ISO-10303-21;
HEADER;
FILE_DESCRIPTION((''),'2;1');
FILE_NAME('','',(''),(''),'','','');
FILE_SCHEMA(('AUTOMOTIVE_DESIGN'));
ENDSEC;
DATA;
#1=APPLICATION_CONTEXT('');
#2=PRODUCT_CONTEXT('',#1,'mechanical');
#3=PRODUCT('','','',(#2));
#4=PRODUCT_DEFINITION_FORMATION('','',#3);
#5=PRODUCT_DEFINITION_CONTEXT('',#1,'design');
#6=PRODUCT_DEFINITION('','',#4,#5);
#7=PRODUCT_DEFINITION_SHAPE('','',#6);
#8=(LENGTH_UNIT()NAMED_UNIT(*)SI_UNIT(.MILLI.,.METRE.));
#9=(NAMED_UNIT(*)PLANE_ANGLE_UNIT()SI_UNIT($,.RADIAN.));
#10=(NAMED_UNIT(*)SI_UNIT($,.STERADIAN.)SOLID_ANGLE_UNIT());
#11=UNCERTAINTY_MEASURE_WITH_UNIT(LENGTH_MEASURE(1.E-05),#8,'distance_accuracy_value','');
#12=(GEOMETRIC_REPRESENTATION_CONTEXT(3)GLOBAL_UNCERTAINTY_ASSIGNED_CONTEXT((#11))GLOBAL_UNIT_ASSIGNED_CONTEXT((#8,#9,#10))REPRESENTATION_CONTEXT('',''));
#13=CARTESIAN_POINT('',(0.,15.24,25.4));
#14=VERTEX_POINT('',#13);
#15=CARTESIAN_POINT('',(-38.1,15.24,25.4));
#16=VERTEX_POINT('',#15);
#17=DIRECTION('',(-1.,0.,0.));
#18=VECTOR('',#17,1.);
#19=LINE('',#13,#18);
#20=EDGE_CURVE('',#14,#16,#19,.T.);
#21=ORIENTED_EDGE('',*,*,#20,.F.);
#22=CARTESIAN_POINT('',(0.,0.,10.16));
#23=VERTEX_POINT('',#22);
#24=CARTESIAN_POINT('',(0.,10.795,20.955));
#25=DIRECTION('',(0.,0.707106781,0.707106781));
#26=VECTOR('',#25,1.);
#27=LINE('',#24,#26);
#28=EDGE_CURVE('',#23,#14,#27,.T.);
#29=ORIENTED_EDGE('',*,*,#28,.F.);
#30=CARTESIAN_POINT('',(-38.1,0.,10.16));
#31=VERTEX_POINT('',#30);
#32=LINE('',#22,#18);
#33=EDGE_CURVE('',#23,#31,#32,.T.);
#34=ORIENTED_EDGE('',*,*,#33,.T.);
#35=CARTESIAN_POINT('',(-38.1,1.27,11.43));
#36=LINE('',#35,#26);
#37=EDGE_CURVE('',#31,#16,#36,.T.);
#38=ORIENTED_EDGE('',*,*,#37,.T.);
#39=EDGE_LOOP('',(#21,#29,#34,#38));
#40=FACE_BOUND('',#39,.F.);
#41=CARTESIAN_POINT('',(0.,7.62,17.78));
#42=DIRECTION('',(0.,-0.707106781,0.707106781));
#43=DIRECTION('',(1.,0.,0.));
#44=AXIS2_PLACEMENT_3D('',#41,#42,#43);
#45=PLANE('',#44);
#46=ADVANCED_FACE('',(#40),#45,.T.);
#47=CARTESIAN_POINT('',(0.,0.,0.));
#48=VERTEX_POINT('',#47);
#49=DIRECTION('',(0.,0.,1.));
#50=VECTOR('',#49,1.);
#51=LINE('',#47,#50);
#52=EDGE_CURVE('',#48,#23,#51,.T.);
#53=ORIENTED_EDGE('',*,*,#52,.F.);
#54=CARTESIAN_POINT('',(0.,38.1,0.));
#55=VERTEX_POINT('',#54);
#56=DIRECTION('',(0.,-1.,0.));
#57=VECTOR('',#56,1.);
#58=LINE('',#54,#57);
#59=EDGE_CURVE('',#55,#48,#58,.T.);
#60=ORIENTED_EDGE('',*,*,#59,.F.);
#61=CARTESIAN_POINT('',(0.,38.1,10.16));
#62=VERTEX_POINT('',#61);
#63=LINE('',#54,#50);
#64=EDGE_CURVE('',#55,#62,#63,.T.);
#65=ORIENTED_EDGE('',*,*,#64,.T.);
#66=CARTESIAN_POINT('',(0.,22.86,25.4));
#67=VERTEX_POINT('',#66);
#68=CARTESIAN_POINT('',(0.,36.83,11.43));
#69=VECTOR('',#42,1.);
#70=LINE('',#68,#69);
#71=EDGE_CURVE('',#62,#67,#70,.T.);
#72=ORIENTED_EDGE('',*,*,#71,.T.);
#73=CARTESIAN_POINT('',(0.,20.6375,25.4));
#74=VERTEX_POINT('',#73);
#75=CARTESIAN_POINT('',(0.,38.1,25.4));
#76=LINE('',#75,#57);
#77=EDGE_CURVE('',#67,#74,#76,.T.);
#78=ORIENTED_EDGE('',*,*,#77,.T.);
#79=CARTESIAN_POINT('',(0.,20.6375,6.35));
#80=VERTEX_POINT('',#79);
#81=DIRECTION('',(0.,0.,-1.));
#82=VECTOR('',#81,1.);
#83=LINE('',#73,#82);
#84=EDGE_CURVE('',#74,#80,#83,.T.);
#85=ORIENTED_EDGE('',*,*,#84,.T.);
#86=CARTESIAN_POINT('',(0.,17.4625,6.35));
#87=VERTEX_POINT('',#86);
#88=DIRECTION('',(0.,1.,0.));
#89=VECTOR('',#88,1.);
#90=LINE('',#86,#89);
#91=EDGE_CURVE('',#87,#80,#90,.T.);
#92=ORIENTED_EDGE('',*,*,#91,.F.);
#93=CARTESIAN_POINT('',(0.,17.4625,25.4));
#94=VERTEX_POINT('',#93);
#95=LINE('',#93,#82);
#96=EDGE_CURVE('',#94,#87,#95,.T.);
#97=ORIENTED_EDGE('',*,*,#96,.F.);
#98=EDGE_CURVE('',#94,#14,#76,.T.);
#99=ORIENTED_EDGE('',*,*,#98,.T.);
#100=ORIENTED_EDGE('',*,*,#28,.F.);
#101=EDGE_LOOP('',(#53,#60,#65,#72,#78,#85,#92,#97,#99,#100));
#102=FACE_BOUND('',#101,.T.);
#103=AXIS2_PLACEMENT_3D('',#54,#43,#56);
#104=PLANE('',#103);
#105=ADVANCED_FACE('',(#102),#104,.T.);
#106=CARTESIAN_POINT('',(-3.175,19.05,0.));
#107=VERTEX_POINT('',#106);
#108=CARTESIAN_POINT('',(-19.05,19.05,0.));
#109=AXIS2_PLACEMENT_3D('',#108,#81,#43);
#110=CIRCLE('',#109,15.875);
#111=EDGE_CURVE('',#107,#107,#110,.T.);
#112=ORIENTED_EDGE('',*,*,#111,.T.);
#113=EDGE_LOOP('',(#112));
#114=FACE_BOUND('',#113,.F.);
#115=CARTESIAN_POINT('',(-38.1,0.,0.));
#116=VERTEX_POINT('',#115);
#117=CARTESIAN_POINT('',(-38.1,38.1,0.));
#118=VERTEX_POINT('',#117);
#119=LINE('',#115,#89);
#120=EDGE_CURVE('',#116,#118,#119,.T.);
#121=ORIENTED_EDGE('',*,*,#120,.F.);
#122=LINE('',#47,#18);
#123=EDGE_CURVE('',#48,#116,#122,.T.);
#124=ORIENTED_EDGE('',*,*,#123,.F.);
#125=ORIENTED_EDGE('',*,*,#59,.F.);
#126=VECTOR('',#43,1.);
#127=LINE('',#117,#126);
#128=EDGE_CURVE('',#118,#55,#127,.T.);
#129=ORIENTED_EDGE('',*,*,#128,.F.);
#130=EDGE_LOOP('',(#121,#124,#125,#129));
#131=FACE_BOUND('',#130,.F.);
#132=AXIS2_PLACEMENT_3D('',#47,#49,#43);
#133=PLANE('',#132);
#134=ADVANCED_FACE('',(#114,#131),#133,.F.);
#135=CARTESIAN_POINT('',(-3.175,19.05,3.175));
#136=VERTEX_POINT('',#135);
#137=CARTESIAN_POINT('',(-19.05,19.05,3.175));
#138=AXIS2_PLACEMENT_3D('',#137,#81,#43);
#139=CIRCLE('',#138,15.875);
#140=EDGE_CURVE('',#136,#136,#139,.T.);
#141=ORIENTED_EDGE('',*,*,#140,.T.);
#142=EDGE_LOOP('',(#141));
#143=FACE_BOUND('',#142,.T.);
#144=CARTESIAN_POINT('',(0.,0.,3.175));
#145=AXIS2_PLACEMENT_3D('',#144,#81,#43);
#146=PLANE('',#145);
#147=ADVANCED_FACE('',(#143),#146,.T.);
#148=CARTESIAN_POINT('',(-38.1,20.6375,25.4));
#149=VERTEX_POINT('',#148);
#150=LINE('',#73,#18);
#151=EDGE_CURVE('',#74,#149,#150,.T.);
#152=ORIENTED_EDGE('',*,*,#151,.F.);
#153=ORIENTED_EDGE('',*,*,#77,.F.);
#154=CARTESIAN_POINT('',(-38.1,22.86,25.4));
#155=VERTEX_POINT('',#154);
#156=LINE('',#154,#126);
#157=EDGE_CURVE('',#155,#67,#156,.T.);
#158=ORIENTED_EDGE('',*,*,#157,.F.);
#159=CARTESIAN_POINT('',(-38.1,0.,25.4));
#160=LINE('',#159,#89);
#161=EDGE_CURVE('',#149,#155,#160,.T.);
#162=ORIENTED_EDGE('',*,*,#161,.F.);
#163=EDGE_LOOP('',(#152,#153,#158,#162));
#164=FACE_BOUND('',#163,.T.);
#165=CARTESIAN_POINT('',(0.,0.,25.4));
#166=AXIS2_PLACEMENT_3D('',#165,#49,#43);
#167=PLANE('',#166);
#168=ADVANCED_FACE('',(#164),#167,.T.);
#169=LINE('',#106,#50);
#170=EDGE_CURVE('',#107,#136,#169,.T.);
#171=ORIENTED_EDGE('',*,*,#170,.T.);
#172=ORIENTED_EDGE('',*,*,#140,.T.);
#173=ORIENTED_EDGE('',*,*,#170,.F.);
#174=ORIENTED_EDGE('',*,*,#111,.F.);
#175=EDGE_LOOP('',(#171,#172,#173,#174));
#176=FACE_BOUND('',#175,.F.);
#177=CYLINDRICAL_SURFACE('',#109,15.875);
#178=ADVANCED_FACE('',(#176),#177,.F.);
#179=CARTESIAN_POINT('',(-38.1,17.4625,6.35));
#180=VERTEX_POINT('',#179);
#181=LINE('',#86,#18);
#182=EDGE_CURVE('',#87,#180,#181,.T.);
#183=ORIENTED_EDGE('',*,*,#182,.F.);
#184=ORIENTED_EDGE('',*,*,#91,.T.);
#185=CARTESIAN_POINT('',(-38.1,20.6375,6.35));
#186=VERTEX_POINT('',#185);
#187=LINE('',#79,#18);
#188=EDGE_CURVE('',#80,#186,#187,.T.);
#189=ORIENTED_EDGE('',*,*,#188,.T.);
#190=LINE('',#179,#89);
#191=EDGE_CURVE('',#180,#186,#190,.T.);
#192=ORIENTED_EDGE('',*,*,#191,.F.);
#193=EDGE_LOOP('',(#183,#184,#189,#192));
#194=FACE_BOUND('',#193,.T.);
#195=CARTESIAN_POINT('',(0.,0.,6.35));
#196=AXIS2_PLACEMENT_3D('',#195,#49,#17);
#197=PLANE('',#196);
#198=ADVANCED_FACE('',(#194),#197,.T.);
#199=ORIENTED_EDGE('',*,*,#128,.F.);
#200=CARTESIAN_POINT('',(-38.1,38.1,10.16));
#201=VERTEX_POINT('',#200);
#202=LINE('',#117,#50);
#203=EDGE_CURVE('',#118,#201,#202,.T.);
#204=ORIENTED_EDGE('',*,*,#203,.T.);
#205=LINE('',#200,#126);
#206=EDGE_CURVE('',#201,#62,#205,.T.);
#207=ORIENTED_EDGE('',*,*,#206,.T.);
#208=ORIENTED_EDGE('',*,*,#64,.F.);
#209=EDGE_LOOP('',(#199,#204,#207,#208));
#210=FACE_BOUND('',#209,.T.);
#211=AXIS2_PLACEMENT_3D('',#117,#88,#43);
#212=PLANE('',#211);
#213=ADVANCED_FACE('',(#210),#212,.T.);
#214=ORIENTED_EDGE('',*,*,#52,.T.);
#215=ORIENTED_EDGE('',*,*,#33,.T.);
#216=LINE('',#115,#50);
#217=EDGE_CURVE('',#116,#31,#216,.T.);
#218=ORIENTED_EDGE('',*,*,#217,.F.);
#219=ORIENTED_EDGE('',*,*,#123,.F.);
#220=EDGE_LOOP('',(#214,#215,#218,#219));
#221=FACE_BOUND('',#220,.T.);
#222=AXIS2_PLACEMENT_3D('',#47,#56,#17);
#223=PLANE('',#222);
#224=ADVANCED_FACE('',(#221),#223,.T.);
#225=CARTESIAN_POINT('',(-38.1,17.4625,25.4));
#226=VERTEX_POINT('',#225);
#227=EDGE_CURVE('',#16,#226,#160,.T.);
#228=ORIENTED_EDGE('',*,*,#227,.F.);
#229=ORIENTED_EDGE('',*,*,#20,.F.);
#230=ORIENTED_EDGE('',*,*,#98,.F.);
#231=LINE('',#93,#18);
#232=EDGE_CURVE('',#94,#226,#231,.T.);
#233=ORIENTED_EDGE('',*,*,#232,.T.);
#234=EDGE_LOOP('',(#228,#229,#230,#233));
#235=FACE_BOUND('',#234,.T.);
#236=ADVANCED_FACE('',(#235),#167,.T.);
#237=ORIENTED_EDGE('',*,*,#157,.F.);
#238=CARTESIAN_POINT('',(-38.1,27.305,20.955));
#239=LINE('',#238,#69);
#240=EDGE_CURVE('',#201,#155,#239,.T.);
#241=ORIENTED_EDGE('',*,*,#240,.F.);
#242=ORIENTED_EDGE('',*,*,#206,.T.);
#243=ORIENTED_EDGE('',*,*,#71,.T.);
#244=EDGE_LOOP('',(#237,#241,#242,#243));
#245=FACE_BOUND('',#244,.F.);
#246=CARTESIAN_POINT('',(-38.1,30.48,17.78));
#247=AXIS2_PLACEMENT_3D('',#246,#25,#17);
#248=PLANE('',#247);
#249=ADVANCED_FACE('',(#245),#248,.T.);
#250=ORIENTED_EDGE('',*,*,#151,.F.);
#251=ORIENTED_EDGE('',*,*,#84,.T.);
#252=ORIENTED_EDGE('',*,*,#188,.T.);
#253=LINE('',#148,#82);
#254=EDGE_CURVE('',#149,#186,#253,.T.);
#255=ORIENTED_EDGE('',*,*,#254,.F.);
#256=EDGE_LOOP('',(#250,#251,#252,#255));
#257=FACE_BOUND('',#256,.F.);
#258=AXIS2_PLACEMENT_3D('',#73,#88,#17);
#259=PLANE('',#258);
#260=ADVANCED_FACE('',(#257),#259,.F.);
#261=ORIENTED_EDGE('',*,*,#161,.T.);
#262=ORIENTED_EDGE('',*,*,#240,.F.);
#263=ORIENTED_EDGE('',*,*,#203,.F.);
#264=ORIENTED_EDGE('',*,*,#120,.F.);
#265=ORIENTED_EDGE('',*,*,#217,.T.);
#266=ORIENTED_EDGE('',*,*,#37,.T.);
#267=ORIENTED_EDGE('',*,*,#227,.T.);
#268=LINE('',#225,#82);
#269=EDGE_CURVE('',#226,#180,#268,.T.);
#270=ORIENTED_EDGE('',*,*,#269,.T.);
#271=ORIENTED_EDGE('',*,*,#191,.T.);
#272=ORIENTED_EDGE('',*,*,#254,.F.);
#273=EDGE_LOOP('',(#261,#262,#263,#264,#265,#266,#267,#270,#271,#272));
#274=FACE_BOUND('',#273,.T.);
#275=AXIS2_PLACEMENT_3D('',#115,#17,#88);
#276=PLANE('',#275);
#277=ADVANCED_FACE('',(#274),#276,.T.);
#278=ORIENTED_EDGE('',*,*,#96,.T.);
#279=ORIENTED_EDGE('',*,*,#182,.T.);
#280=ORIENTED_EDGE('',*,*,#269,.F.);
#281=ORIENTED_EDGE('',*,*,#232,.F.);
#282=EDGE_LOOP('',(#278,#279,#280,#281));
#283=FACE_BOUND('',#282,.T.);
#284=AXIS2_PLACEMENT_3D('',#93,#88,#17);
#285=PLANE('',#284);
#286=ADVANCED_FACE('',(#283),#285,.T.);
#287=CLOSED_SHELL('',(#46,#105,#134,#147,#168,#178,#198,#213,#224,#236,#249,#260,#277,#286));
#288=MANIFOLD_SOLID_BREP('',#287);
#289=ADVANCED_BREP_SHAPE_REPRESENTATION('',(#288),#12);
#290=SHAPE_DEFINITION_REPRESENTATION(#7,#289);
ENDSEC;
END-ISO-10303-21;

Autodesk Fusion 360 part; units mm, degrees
sketch "Sketch1" plane through (0, 0, 0) normal (0, 0, 1) x (1, 0, 0)
  line L0 (0, 0) -> (-38.1, 0)
  line L1 (-38.1, 0) -> (-38.1, 38.1)
  line L2 (-38.1, 38.1) -> (0, 38.1)
  line L3 (0, 38.1) -> (0, 0)
  dimension "d1" = 38.1
  dimension "d2" = 38.1
extrude "Extrude1" add sketch "Sketch1" along normal blind 25.4
chamfer "Chamfer1" distance 15.24 angle 45 2 edges at (-19.05, 0, 25.4) (-19.05, 38.1, 25.4)
sketch "Sketch2" plane through (0, 0, 25.4) normal (0, 0, 1) x (-1, 0, 0)
  line L0 (0, -22.86) -> (38.1, -22.86)
  line L1 (38.1, -22.86) -> (38.1, -15.24)
  line L2 (38.1, -15.24) -> (0, -15.24)
  line L3 (0, -15.24) -> (0, -22.86)
  line L4 (38.1, -19.05) -> (0, -19.05)
  line L5 (0, -19.05) -> (0, -20.6375)
  line L6 (0, -20.6375) -> (38.1, -20.6375)
  line L7 (38.1, -20.6375) -> (38.1, -19.05)
  line L8 (38.1, -19.05) -> (0, -19.05)
  line L9 (0, -19.05) -> (0, -17.4625)
  line L10 (0, -17.4625) -> (38.1, -17.4625)
  line L11 (38.1, -17.4625) -> (38.1, -19.05)
  dimension "d6" = 1.5875
  dimension "d7" = 1.5875
extrude "Extrude2" cut sketch "Sketch2" against normal blind 19.05 contours L1 L3 L4 L5 L6 L7 L8 | L1 L3 L4 L8 L9 L10 L11
sketch "Sketch3" plane through (0, 0, 0) normal (0, 0, -1) x (1, 0, 0)
  line L0 (-38.1, -38.1) -> (0, -38.1)
  line L1 (0, -38.1) -> (0, 0)
  line L2 (0, 0) -> (-38.1, 0)
  line L3 (-38.1, 0) -> (-38.1, -38.1)
  circle A0 centre (-19.05, -19.05) radius 15.875
  dimension "d10" = 31.75
extrude "Extrude3" cut sketch "Sketch3" against normal blind 3.175 contours A0
